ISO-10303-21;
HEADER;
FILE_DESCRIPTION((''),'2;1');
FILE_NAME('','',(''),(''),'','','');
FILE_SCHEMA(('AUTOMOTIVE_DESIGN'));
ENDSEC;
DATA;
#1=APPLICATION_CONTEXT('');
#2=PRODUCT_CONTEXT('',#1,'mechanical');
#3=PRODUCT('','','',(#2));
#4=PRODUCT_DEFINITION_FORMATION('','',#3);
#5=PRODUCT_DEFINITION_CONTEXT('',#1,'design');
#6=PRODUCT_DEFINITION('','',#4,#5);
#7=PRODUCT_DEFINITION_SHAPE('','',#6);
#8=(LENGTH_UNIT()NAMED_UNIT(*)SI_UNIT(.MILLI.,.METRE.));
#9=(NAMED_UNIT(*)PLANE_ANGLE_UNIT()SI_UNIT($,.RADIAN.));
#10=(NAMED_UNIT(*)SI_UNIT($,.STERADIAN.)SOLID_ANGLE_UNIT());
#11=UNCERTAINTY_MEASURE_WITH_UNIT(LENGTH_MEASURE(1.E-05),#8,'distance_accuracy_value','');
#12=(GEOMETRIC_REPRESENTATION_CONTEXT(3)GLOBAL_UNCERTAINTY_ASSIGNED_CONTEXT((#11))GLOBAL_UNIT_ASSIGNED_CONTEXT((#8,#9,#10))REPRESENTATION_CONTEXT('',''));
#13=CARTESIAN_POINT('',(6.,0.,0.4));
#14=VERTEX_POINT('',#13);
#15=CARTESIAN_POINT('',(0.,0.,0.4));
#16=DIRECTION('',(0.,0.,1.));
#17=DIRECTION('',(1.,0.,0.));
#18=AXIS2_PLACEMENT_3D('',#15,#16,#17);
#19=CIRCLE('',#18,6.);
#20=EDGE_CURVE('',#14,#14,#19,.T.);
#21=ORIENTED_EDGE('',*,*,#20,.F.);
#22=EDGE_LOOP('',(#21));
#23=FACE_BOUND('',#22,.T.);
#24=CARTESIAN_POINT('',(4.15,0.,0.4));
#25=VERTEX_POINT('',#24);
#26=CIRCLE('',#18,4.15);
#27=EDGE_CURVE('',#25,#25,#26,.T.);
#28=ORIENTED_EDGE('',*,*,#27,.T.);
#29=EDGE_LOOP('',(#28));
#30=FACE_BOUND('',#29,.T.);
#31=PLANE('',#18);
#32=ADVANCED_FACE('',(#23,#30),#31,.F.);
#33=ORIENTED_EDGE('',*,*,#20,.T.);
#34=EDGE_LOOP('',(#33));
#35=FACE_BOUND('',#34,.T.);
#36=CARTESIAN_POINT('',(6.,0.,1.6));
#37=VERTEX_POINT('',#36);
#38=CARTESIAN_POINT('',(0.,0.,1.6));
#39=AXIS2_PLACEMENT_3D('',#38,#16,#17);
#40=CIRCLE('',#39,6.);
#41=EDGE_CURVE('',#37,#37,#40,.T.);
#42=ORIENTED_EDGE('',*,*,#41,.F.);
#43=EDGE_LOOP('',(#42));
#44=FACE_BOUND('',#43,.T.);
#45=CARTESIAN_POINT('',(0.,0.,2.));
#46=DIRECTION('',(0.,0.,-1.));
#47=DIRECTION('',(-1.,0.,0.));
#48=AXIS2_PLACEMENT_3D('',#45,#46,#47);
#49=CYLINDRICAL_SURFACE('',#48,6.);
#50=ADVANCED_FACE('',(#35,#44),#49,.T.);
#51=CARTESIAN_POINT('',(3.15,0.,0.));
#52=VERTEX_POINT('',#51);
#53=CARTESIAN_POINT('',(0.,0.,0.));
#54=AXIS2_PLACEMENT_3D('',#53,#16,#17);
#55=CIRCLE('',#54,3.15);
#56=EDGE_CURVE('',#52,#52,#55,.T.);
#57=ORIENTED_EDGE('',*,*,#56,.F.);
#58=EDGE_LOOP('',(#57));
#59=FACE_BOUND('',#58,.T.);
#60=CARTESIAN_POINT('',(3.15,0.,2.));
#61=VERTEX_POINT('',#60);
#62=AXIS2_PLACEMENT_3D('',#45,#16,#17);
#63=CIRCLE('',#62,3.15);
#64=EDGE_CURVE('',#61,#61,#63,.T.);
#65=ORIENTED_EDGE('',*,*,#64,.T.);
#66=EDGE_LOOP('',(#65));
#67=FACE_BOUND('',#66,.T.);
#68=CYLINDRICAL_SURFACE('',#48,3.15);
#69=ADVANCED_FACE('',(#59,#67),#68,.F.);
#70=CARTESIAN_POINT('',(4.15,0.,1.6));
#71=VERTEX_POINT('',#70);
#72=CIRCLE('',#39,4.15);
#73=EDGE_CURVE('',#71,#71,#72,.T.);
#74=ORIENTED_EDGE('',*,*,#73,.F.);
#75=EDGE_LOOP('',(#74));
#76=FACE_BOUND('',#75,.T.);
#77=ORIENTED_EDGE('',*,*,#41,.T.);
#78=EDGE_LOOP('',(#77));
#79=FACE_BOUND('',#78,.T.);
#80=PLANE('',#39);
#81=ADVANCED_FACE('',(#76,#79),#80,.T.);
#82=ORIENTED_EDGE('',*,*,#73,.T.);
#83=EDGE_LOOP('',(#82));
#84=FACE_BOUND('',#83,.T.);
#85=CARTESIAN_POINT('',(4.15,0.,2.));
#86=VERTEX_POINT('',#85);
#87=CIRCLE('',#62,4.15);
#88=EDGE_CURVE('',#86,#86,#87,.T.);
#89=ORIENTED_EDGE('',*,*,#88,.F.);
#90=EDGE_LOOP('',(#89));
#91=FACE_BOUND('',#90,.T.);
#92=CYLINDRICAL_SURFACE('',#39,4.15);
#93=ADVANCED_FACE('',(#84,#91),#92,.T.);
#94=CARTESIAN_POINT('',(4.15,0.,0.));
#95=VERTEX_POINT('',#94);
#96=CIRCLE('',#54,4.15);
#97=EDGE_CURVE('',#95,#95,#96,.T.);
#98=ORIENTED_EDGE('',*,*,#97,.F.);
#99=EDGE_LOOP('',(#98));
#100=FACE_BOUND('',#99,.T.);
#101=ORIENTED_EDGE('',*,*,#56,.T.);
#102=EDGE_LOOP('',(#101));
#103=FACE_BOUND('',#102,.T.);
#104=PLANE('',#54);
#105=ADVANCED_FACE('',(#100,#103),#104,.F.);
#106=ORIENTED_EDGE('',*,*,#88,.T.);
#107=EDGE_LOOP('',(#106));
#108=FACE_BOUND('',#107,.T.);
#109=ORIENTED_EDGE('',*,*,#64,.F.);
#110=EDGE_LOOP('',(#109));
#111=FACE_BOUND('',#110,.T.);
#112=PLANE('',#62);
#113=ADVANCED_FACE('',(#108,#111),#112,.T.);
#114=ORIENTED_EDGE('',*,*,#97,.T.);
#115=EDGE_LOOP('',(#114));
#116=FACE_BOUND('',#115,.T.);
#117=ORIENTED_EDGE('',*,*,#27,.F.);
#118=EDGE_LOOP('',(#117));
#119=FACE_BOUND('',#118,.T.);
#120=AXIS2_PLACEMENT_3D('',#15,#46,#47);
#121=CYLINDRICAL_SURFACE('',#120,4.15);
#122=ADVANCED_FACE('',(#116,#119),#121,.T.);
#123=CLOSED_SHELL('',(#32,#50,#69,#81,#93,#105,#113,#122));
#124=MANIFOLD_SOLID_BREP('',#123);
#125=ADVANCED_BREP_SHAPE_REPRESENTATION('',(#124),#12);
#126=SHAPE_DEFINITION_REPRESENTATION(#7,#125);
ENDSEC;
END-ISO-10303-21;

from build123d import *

# Parameters (mm, degrees)
SKETCH_1_R          = 6
SKETCH_1_R_2        = 3.15
EXTRUDE_1_DEPTH     = 2
CUT_EXTRUDE_START   = -0.4
SKETCH_2_R          = 6
SKETCH_2_R_2        = 4.15
CUT_EXTRUDE_1_DEPTH = 0.4
CUT_EXTRUDE_START_2 = -2
SKETCH_2_2_R        = 6
SKETCH_2_2_R_2      = 4.15
CUT_EXTRUDE_2_DEPTH = 0.4


with BuildPart() as part:
    # ｽｹｯﾁ1 → ﾎﾞｽ - 押し出し1 (new body)
    with BuildSketch(Plane.XY):
        Circle(SKETCH_1_R)
        Circle(SKETCH_1_R_2, mode=Mode.SUBTRACT)
    extrude(amount=EXTRUDE_1_DEPTH)

    # ｽｹｯﾁ2 → ｶｯﾄ - 押し出し1 (cut)
    with BuildSketch(Plane.XY.offset(2).offset(CUT_EXTRUDE_START)):
        Circle(SKETCH_2_R)
        Circle(SKETCH_2_R_2, mode=Mode.SUBTRACT)
    extrude(amount=CUT_EXTRUDE_1_DEPTH, mode=Mode.SUBTRACT)

    # ｽｹｯﾁ2<2> → ｶｯﾄ - 押し出し2 (cut)
    with BuildSketch(Plane.XY.offset(2).offset(CUT_EXTRUDE_START_2)):
        Circle(SKETCH_2_2_R)
        Circle(SKETCH_2_2_R_2, mode=Mode.SUBTRACT)
    extrude(amount=CUT_EXTRUDE_2_DEPTH, mode=Mode.SUBTRACT)


solid = part.part
